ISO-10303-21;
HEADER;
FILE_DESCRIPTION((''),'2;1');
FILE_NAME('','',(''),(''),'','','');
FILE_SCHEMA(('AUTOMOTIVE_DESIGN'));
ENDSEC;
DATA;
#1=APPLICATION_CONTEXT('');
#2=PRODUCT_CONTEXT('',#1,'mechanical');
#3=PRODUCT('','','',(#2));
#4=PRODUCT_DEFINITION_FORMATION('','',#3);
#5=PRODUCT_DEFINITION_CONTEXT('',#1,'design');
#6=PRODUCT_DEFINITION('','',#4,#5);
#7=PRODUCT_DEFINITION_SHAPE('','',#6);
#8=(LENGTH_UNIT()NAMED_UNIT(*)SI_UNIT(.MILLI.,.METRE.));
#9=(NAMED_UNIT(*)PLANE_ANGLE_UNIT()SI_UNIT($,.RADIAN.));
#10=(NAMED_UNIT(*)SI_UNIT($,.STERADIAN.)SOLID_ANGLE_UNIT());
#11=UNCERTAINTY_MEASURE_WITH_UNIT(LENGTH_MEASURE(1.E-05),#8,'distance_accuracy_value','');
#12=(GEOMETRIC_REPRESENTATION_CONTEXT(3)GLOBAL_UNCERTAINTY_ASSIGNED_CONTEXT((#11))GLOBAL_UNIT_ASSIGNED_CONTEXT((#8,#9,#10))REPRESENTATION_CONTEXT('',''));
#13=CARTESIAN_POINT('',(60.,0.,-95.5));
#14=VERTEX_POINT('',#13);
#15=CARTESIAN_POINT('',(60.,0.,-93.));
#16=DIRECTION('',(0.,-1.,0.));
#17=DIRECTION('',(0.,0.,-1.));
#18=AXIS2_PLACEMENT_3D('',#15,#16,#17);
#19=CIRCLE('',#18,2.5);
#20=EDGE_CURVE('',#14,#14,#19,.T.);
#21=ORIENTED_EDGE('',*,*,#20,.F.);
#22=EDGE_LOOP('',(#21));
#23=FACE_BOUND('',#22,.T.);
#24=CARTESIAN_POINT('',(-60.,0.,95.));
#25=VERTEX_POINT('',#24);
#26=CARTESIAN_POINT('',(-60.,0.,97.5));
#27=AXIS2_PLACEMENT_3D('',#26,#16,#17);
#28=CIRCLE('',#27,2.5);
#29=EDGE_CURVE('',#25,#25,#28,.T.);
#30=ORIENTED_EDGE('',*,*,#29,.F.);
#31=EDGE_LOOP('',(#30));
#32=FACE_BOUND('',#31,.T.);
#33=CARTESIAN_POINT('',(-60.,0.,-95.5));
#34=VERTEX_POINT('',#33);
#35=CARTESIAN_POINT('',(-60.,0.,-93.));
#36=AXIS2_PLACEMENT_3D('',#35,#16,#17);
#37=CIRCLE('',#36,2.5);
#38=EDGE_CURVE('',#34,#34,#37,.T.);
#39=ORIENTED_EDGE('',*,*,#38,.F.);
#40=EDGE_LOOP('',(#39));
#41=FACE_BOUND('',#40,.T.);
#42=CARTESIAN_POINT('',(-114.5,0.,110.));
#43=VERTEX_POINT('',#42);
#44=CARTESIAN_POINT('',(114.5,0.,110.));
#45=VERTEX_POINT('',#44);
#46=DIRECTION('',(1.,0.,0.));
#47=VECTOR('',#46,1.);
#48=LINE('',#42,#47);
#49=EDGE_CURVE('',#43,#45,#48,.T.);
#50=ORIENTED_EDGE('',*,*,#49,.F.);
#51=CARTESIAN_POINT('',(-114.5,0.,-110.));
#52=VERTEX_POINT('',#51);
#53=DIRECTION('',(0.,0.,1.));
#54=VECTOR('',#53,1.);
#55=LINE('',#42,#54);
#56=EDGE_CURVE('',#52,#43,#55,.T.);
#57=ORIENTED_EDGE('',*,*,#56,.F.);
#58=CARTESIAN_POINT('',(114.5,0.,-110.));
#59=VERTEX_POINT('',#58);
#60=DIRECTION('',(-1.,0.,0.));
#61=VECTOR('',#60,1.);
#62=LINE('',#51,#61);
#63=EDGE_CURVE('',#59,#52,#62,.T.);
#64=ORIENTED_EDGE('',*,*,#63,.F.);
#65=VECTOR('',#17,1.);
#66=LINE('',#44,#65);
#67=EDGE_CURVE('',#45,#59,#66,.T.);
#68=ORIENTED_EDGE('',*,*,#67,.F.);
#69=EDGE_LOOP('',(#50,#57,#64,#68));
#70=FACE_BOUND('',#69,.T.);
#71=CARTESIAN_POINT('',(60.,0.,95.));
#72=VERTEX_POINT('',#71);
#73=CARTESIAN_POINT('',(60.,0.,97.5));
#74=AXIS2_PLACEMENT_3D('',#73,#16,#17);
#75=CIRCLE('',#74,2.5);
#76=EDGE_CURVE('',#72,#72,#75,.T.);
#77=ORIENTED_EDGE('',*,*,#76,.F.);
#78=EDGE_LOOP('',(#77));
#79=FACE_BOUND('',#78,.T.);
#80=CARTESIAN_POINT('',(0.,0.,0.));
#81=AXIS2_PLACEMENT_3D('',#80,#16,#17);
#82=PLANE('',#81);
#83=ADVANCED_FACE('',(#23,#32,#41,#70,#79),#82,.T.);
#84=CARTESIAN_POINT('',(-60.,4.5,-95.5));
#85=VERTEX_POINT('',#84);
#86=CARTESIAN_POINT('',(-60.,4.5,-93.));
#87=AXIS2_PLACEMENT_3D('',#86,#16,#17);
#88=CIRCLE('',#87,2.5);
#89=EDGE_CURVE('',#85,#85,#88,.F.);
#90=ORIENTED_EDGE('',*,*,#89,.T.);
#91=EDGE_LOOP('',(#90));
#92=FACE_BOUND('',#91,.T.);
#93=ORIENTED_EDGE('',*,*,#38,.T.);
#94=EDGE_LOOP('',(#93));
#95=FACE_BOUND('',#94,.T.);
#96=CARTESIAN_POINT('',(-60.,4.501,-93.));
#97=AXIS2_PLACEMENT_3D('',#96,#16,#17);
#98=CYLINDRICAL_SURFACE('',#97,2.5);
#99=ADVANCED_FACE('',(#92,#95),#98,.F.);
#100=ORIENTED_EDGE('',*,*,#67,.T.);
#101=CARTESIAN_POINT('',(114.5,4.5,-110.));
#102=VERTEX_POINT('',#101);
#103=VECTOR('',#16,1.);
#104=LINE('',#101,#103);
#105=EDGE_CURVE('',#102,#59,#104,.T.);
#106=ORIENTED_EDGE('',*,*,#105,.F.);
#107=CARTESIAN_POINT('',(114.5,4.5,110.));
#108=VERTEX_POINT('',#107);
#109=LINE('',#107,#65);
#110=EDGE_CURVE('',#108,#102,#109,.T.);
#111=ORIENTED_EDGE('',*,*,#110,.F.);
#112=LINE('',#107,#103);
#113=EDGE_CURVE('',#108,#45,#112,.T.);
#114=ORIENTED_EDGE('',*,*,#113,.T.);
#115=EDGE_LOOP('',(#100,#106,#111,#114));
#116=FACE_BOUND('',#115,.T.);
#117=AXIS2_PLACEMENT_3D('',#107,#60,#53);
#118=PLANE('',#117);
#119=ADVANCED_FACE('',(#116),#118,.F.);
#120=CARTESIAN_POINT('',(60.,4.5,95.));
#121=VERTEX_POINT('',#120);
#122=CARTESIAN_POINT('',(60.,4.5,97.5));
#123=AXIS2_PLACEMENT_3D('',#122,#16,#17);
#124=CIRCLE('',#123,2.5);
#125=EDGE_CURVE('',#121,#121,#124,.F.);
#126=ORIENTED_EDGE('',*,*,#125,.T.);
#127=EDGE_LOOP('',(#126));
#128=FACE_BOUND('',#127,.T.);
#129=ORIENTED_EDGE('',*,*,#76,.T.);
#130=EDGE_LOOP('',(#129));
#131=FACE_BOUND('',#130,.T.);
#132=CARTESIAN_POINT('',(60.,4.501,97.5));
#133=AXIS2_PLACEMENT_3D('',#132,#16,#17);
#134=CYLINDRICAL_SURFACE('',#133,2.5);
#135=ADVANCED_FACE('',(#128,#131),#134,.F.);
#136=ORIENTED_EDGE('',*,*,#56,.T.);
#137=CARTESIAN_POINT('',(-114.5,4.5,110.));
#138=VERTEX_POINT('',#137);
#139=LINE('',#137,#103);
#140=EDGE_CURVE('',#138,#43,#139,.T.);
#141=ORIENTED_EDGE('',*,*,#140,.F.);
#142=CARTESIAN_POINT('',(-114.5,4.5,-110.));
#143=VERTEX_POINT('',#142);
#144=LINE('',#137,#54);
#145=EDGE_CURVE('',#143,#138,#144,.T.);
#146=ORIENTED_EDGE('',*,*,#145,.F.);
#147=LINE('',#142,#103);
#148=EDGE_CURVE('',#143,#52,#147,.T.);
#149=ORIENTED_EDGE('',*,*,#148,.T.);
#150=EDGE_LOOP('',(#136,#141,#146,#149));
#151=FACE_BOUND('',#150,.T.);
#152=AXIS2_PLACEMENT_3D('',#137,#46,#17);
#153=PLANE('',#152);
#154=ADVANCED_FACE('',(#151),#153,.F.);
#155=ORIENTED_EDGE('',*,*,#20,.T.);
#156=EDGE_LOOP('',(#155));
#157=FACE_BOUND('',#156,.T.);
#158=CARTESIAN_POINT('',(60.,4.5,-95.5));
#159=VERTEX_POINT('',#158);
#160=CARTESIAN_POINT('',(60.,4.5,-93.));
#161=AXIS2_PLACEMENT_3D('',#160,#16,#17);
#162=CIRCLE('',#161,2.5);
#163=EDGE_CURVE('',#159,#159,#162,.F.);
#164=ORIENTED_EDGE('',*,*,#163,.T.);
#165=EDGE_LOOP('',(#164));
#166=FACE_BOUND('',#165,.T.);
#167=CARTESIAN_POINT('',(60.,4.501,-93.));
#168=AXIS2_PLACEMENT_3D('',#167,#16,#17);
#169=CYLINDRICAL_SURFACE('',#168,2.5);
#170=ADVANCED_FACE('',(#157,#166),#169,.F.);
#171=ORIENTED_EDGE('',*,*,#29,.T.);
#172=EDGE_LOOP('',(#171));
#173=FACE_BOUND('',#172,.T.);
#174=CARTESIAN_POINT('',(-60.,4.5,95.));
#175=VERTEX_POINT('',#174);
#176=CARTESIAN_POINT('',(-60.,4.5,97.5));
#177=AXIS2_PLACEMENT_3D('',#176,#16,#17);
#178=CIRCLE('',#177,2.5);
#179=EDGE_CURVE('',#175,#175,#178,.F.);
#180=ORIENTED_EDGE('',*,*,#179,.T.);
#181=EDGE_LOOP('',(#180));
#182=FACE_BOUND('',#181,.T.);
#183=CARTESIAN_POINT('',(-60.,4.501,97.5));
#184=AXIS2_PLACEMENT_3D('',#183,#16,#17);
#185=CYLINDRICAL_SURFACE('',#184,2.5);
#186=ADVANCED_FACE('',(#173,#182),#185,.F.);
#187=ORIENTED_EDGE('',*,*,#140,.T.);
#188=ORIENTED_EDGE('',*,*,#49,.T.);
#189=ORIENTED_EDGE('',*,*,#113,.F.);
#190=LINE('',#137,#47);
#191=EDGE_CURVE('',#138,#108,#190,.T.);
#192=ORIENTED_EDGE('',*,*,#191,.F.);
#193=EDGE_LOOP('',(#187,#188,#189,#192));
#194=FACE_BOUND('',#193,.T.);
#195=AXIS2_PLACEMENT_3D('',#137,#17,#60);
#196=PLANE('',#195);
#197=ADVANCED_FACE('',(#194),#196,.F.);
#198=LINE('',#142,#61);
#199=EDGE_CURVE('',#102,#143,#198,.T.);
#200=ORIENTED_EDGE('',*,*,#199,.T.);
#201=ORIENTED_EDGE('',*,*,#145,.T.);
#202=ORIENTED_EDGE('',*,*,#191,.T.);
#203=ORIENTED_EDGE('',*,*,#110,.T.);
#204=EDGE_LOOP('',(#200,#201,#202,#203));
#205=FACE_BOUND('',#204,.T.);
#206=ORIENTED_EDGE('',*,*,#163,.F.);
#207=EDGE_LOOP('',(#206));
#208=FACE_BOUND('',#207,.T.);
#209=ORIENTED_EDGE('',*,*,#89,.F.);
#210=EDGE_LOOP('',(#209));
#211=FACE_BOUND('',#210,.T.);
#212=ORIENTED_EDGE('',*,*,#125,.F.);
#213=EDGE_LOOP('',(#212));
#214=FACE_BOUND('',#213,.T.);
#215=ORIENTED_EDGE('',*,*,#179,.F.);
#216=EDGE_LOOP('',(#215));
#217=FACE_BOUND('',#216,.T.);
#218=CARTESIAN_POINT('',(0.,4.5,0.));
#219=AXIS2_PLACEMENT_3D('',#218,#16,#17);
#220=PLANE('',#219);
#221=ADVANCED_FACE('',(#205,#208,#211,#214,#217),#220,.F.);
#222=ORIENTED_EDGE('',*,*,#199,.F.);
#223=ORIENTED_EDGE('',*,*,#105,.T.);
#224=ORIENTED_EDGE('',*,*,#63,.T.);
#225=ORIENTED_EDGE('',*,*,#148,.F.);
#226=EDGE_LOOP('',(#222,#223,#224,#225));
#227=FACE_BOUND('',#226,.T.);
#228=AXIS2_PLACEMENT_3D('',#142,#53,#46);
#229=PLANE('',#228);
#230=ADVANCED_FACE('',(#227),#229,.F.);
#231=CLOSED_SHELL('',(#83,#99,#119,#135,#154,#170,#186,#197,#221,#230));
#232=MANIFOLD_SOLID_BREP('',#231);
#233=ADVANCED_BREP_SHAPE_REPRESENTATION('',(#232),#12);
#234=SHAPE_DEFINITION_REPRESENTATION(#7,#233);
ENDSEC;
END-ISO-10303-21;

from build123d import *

# Parameters (mm, degrees)
SKETCH1_W           = 229
SKETCH1_H           = 220
BOSS_EXTRUDE1_DEPTH = 4.5
CUT_EXTRUDE1_REACH  = 6.5
SKETCH2_R           = 2.5


with BuildPart() as part:
    # Sketch1 → Boss-Extrude1 (new body)
    with BuildSketch(Plane(origin=(0, 0, 0), x_dir=(1, 0, 0), z_dir=(0, 1, 0))):
        Rectangle(SKETCH1_W, SKETCH1_H)
    extrude(amount=BOSS_EXTRUDE1_DEPTH)

    # Sketch2 → Cut-Extrude1 (cut, up to next)
    with BuildSketch(Plane.XZ, mode=Mode.PRIVATE) as cut_extrude1_sk1:
        with Locations((-60, 97.5)):
            Circle(SKETCH2_R)
    cut_extrude1_tool1 = extrude(cut_extrude1_sk1.sketch, amount=-CUT_EXTRUDE1_REACH, mode=Mode.PRIVATE) & part.part
    add(cut_extrude1_tool1.solids().sort_by_distance((-60, 0, 97.5))[0], mode=Mode.SUBTRACT)
    # Sketch2 → Cut-Extrude1 (cut, up to next)
    with BuildSketch(Plane.XZ, mode=Mode.PRIVATE) as cut_extrude1_sk2:
        with Locations((60, 97.5)):
            Circle(SKETCH2_R)
    cut_extrude1_tool2 = extrude(cut_extrude1_sk2.sketch, amount=-CUT_EXTRUDE1_REACH, mode=Mode.PRIVATE) & part.part
    add(cut_extrude1_tool2.solids().sort_by_distance((60, 0, 97.5))[0], mode=Mode.SUBTRACT)
    # Sketch2 → Cut-Extrude1 (cut, up to next)
    with BuildSketch(Plane.XZ, mode=Mode.PRIVATE) as cut_extrude1_sk3:
        with Locations((60, -93)):
            Circle(SKETCH2_R)
    cut_extrude1_tool3 = extrude(cut_extrude1_sk3.sketch, amount=-CUT_EXTRUDE1_REACH, mode=Mode.PRIVATE) & part.part
    add(cut_extrude1_tool3.solids().sort_by_distance((60, 0, -93))[0], mode=Mode.SUBTRACT)
    # Sketch2 → Cut-Extrude1 (cut, up to next)
    with BuildSketch(Plane.XZ, mode=Mode.PRIVATE) as cut_extrude1_sk4:
        with Locations((-60, -93)):
            Circle(SKETCH2_R)
    cut_extrude1_tool4 = extrude(cut_extrude1_sk4.sketch, amount=-CUT_EXTRUDE1_REACH, mode=Mode.PRIVATE) & part.part
    add(cut_extrude1_tool4.solids().sort_by_distance((-60, 0, -93))[0], mode=Mode.SUBTRACT)


solid = part.part
